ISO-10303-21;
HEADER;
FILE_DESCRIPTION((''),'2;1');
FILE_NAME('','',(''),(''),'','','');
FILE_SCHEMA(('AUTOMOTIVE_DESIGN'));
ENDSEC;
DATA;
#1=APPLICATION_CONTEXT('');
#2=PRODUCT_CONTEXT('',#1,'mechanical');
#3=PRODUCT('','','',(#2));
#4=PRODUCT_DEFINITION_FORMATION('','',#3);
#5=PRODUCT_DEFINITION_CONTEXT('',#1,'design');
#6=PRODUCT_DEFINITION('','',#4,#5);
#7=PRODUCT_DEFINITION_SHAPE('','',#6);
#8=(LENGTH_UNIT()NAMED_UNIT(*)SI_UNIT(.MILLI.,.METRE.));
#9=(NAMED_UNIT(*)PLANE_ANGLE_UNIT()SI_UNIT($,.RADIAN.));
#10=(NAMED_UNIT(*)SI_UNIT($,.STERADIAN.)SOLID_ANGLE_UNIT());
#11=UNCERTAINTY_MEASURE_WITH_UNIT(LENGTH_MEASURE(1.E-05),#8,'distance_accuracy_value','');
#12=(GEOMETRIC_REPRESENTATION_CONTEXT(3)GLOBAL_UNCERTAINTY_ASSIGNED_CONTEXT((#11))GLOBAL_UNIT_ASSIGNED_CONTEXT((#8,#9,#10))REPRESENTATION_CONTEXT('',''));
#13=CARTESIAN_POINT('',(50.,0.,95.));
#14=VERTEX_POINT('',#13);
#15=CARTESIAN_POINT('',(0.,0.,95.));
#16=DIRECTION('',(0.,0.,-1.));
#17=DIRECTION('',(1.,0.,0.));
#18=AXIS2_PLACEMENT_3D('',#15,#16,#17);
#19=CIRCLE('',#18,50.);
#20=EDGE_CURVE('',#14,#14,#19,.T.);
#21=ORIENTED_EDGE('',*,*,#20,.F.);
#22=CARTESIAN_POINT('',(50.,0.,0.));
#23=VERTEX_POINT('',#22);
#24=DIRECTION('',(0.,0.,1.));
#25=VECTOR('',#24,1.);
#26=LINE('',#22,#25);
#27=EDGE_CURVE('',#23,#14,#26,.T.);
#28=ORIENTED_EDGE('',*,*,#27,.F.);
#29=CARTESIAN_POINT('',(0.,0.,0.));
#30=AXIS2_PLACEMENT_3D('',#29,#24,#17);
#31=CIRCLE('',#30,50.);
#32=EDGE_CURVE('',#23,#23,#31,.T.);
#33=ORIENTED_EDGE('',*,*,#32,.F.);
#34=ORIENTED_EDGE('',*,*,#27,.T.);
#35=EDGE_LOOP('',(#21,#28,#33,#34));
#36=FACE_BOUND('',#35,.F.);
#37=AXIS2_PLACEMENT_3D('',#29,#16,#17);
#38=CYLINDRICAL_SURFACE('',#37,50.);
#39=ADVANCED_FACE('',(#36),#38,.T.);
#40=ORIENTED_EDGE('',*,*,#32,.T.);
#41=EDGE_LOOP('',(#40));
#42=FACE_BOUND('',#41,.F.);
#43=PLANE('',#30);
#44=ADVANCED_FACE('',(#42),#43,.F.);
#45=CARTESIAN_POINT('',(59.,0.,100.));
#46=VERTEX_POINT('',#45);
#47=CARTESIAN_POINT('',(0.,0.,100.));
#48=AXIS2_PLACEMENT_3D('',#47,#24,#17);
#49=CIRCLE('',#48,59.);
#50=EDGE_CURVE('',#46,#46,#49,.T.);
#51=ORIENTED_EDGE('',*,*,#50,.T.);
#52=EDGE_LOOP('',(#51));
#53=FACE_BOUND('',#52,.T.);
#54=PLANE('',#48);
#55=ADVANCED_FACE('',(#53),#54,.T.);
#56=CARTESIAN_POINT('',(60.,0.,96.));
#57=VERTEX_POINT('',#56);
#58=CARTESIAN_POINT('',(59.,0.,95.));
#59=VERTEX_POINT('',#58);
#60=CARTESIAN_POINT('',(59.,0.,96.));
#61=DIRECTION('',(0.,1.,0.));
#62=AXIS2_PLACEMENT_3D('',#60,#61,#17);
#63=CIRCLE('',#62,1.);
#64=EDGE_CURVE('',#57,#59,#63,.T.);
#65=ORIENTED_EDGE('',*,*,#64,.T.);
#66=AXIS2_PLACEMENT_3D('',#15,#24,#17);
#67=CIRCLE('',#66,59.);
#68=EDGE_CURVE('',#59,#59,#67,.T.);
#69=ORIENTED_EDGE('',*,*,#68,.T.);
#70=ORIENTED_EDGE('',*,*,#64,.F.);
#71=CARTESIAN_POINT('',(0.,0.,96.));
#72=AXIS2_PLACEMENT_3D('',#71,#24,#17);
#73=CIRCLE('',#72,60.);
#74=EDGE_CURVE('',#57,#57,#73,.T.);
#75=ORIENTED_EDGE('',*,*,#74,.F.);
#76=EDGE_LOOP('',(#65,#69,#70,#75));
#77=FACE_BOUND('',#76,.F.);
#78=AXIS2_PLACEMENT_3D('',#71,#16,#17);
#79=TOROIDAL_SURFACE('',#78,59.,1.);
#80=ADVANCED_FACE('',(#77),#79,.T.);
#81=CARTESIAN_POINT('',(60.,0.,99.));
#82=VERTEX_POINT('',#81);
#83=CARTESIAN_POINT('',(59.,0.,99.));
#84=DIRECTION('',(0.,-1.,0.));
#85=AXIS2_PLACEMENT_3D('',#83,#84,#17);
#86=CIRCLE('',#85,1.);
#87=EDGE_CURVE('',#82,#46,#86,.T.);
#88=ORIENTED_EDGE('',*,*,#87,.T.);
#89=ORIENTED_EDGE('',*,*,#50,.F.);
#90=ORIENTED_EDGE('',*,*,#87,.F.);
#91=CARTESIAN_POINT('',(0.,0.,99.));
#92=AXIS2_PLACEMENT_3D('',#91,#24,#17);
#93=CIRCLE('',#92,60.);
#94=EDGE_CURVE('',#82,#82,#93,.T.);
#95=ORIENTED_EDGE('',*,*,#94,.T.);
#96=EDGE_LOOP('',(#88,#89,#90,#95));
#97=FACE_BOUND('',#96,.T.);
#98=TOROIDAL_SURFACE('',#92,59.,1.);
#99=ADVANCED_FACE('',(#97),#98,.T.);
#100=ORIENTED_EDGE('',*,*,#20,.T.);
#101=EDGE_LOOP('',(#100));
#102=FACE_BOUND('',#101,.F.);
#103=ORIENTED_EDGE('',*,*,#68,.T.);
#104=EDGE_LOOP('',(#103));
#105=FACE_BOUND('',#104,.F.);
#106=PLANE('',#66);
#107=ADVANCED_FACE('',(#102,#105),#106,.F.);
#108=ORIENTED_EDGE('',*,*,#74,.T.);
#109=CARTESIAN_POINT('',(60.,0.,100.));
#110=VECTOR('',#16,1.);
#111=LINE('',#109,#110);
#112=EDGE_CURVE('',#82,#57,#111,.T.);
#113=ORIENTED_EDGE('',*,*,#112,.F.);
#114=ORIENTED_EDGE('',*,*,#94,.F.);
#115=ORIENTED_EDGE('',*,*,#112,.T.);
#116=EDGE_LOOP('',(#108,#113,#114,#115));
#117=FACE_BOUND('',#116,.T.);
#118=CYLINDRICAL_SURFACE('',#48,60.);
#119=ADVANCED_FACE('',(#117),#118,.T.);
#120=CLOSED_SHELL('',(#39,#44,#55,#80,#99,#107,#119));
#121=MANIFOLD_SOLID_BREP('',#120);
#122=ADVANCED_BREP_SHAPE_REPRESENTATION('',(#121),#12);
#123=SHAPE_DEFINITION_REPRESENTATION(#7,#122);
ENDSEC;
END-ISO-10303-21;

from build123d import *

# Parameters (mm, degrees)
F0_R     = 50
F1_DEPTH = 100
F2_R     = 60
F3_DEPTH = 5
F4_R     = 1


with BuildPart() as f1:
    # F0 (on Top) → F1 (new body)
    with BuildSketch(Plane.XY):
        Circle(F0_R)
    extrude(amount=F1_DEPTH)

    # F2 (on face) → F3 (join)
    with BuildSketch(Plane.XY.offset(100)):
        Circle(F2_R)
    extrude(amount=-F3_DEPTH)

    # F4
    f4_edges = [f1.edges().sort_by_distance(p)[0] for p in [
        (60, 0, 97.5),
        (-60, 0, 100),
        (-60, 0, 95),
    ]]
    fillet(f4_edges, radius=F4_R)


solid = f1.part
